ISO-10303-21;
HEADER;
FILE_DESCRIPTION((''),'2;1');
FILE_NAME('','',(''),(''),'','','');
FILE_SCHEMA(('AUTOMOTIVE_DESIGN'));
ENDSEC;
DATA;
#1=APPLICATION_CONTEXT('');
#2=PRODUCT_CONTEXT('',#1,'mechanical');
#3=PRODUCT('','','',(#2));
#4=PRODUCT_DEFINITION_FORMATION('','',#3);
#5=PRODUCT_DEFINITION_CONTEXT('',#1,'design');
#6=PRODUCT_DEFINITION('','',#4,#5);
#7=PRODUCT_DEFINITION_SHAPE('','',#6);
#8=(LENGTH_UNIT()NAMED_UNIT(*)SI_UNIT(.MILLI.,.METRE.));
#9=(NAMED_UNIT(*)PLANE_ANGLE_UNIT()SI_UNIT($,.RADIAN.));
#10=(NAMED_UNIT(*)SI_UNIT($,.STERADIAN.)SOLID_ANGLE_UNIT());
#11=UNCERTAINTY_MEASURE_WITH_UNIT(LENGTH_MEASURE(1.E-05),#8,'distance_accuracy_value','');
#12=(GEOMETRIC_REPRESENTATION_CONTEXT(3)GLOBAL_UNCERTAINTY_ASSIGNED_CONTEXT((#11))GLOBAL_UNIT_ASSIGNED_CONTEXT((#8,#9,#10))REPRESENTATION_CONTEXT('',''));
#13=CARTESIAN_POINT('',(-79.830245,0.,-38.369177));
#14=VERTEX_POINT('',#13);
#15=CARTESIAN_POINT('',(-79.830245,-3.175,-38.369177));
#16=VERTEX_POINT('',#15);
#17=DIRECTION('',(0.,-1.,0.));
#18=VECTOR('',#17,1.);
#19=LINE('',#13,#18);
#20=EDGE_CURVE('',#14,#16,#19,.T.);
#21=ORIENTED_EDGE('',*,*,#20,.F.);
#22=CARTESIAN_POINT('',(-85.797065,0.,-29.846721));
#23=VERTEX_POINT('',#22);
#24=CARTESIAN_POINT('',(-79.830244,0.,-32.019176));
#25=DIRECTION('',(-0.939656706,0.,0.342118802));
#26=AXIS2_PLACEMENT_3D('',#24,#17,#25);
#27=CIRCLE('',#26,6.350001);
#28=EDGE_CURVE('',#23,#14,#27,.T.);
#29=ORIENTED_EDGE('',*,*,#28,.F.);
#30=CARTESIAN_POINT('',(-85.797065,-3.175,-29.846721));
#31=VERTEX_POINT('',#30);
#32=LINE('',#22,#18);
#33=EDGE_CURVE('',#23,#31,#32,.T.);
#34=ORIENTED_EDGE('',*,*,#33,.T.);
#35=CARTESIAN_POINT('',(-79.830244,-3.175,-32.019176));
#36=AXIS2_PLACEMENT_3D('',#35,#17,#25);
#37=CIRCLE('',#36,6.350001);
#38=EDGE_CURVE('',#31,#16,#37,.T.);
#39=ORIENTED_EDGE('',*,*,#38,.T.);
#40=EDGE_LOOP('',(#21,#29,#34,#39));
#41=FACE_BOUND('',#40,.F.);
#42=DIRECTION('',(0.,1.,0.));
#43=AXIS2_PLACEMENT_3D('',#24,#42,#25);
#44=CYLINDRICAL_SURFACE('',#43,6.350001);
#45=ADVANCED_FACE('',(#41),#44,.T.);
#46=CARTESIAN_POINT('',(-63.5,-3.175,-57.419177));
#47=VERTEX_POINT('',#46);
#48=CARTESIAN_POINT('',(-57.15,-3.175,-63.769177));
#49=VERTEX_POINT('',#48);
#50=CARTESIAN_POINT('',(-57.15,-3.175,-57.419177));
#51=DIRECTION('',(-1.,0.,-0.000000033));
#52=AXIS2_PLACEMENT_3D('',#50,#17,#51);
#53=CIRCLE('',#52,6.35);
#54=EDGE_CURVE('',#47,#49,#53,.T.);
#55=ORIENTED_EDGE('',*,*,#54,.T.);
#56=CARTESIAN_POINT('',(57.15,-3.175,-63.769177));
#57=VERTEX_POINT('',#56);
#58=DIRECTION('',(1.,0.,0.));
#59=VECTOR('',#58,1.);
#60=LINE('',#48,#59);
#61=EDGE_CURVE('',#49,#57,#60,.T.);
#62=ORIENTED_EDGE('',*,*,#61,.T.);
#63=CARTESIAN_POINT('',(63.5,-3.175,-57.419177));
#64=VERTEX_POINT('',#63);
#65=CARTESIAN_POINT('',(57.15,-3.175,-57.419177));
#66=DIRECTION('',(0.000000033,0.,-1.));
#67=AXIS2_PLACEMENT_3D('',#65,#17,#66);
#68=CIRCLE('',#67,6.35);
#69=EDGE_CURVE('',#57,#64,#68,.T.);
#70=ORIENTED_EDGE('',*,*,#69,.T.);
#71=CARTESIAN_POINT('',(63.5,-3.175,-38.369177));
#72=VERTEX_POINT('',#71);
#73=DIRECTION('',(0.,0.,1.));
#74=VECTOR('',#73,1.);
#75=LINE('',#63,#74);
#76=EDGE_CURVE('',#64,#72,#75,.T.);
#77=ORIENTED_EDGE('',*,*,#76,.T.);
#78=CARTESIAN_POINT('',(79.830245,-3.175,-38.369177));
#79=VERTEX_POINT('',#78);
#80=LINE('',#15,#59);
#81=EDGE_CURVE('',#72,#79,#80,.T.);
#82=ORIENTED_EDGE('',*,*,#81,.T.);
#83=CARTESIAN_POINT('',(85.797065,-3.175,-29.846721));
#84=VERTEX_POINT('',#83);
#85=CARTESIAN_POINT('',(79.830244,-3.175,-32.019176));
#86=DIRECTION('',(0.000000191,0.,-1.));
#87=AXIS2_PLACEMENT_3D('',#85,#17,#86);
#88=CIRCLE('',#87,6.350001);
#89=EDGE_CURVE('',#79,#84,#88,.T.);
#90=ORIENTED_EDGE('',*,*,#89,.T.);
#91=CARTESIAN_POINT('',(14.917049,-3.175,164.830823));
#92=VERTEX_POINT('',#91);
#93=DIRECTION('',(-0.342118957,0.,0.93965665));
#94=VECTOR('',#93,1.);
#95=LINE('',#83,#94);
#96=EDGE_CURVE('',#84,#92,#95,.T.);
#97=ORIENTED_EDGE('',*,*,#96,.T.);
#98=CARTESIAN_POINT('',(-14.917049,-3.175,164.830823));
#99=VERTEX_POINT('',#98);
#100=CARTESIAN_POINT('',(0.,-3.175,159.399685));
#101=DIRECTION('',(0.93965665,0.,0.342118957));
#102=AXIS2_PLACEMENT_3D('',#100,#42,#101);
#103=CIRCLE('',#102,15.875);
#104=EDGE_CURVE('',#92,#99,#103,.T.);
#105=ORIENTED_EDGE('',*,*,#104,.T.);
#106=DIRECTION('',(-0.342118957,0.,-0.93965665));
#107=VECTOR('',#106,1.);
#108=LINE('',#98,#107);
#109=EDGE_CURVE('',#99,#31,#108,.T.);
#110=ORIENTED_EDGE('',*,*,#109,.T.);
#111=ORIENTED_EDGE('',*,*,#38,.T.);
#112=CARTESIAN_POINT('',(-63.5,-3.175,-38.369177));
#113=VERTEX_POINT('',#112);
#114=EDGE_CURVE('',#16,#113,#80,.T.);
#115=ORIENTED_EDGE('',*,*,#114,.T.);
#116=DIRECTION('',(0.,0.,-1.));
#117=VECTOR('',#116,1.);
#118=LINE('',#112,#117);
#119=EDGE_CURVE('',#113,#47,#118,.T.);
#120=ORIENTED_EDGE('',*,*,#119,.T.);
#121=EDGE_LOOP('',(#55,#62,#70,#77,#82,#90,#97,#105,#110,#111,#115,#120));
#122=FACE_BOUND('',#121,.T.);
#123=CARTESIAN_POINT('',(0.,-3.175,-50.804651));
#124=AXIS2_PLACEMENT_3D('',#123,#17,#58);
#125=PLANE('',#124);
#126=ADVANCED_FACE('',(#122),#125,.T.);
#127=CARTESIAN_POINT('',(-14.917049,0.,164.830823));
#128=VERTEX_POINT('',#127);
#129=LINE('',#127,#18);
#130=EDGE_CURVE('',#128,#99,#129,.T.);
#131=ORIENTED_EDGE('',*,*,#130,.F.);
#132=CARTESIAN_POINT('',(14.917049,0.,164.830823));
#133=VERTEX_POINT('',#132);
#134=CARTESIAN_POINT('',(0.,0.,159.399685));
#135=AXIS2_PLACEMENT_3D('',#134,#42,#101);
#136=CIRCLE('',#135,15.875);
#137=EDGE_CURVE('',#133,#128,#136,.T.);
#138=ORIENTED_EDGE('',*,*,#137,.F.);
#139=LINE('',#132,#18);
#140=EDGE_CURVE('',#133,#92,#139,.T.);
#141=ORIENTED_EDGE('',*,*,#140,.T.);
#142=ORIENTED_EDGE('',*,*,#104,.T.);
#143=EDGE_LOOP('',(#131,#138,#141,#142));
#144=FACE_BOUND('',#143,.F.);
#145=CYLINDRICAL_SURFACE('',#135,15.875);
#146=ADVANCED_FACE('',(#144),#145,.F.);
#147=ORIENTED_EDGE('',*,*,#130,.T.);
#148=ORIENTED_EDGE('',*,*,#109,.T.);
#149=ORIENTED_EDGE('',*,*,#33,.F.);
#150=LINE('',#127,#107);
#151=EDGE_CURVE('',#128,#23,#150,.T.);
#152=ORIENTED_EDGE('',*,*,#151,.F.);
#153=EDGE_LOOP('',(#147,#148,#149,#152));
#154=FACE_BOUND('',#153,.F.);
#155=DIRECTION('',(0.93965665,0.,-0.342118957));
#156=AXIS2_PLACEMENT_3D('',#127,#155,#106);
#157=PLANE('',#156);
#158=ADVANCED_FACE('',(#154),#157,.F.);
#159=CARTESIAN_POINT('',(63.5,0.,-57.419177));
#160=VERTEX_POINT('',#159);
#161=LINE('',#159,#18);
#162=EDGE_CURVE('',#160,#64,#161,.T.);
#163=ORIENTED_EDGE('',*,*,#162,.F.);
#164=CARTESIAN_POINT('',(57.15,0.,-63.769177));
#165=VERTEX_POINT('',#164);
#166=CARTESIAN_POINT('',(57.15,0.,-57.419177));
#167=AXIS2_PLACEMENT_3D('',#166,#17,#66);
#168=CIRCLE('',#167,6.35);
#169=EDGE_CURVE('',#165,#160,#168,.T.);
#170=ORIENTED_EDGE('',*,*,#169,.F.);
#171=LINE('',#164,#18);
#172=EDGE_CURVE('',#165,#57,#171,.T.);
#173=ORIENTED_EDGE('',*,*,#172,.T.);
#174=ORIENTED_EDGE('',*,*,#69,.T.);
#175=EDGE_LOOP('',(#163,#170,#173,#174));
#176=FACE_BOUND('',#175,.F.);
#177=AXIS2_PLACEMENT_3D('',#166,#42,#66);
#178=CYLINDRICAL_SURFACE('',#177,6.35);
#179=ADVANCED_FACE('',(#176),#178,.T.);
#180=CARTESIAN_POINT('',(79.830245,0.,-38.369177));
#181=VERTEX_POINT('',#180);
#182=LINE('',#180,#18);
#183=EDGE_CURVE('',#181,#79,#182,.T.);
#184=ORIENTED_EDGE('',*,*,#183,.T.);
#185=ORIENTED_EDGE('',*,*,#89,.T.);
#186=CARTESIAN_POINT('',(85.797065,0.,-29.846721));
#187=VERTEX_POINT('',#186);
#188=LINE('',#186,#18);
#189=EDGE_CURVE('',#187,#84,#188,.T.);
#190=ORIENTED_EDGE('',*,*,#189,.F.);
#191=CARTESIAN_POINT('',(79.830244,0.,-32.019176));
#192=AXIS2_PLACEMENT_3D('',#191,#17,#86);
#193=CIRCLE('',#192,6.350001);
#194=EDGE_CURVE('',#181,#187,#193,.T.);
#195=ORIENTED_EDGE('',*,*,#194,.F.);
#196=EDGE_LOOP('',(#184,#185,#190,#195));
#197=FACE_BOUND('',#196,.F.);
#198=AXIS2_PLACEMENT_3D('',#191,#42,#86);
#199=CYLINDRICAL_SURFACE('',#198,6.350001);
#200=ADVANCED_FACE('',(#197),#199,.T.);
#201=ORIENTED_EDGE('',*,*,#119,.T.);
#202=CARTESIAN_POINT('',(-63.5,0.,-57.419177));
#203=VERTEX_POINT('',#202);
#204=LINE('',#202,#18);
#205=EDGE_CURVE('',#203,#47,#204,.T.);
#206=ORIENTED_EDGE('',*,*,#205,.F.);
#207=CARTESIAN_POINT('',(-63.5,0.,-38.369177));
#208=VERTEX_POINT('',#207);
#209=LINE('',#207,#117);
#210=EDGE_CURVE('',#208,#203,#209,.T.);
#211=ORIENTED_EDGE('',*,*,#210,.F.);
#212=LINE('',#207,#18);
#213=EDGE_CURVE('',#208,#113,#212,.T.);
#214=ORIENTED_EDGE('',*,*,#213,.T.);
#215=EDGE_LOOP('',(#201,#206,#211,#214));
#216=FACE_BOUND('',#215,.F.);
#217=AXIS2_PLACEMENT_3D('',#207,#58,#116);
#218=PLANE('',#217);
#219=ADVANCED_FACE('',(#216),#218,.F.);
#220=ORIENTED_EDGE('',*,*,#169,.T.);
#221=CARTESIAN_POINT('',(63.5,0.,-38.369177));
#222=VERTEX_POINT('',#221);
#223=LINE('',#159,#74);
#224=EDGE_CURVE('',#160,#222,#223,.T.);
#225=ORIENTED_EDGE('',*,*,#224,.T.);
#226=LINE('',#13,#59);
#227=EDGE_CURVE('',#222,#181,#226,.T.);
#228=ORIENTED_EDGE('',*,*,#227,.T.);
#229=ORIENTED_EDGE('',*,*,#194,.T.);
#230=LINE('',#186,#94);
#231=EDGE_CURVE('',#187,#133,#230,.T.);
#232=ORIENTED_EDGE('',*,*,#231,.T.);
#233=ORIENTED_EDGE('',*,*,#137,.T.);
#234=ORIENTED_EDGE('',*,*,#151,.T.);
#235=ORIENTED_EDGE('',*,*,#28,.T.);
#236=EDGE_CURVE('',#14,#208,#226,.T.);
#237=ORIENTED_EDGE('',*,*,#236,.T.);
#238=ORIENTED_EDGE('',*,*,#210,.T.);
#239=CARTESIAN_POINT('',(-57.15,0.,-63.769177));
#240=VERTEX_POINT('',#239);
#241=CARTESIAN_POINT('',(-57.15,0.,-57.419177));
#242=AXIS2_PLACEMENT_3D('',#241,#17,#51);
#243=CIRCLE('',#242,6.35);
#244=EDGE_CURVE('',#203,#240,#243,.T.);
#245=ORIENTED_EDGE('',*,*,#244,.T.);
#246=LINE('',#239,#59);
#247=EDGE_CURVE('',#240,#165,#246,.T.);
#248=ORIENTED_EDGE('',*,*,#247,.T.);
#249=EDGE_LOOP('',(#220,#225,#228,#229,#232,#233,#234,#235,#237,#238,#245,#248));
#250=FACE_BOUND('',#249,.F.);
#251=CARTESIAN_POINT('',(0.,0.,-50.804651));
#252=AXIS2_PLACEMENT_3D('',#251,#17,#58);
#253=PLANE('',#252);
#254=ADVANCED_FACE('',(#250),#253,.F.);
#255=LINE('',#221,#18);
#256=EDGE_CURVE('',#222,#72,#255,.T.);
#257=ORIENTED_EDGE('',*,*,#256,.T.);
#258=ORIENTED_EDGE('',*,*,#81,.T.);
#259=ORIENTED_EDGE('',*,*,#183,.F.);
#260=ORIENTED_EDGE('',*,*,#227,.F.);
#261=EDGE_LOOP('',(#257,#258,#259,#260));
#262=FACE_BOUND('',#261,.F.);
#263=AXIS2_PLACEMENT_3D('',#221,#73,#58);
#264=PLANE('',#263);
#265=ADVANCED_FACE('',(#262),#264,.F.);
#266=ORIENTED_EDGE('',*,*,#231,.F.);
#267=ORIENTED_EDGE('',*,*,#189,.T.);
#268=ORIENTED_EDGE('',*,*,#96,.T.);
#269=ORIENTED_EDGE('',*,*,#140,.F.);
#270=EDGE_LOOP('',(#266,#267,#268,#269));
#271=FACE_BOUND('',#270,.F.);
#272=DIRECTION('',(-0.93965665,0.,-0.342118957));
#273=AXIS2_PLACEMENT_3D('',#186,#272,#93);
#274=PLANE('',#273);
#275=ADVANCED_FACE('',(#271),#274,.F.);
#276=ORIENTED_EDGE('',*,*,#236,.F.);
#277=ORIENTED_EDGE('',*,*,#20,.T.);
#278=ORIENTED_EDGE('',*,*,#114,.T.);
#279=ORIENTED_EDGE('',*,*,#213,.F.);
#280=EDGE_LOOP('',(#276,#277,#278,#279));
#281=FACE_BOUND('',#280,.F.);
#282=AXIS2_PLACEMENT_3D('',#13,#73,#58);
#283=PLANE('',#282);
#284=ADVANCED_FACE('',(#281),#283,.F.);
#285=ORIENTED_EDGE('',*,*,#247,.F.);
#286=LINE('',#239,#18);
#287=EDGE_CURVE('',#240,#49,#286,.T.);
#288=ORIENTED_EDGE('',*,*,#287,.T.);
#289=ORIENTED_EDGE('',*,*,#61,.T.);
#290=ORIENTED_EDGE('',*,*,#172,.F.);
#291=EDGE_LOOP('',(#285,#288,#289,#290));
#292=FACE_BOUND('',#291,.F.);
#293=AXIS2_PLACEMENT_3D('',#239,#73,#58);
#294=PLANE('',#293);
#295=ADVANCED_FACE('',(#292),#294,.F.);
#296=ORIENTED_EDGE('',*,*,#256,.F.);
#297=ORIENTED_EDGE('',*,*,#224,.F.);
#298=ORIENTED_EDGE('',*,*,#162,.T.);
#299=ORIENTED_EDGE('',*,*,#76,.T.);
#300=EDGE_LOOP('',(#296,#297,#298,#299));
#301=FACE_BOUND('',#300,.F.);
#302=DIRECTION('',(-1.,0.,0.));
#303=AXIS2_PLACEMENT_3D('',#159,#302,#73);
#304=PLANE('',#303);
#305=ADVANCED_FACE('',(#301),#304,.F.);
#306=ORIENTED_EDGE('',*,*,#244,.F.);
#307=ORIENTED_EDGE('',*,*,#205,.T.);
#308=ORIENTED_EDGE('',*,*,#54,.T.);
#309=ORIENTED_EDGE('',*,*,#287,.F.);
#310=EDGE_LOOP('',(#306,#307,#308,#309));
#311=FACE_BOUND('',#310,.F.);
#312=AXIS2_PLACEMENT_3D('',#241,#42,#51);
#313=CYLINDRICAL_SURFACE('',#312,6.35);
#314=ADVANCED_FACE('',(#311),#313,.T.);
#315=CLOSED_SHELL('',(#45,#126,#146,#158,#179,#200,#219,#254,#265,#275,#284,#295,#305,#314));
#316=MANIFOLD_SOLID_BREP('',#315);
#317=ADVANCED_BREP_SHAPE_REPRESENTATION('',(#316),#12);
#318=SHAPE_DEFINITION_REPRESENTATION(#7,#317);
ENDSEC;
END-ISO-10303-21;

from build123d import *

# Parameters (mm, degrees)
F1_DEPTH = 3.175


with BuildPart() as f1:
    # F0 (on Front) → F1 (new body)
    with BuildSketch(Plane.XZ):
        with BuildLine():
            Line((-57.15, -63.769177), (57.15, -63.769177))
            ThreePointArc((57.15, -63.769177), (61.640128, -61.909305), (63.5, -57.419177))
            Line((63.5, -57.419177), (63.5, -38.369177))
            Line((63.5, -38.369177), (-63.5, -38.369177))
            Line((-63.5, -38.369177), (-63.5, -57.419177))
            ThreePointArc((-63.5, -57.419177), (-61.640128, -61.909305), (-57.15, -63.769177))
        make_face()
        with BuildLine():
            Line((-63.5, -38.369177), (63.5, -38.369177))
            Line((63.5, -38.369177), (79.830245, -38.369177))
            ThreePointArc((79.830245, -38.369177), (85.032052, -35.661113), (85.797065, -29.846721))
            Line((85.797065, -29.846721), (14.917049, 164.830823))
            ThreePointArc((14.917049, 164.830823), (0, 143.524685), (-14.917049, 164.830823))
            Line((-14.917049, 164.830823), (-85.797065, -29.846721))
            ThreePointArc((-85.797065, -29.846721), (-85.032052, -35.661113), (-79.830245, -38.369177))
            Line((-79.830245, -38.369177), (-63.5, -38.369177))
        make_face()
    extrude(amount=F1_DEPTH)


solid = f1.part
